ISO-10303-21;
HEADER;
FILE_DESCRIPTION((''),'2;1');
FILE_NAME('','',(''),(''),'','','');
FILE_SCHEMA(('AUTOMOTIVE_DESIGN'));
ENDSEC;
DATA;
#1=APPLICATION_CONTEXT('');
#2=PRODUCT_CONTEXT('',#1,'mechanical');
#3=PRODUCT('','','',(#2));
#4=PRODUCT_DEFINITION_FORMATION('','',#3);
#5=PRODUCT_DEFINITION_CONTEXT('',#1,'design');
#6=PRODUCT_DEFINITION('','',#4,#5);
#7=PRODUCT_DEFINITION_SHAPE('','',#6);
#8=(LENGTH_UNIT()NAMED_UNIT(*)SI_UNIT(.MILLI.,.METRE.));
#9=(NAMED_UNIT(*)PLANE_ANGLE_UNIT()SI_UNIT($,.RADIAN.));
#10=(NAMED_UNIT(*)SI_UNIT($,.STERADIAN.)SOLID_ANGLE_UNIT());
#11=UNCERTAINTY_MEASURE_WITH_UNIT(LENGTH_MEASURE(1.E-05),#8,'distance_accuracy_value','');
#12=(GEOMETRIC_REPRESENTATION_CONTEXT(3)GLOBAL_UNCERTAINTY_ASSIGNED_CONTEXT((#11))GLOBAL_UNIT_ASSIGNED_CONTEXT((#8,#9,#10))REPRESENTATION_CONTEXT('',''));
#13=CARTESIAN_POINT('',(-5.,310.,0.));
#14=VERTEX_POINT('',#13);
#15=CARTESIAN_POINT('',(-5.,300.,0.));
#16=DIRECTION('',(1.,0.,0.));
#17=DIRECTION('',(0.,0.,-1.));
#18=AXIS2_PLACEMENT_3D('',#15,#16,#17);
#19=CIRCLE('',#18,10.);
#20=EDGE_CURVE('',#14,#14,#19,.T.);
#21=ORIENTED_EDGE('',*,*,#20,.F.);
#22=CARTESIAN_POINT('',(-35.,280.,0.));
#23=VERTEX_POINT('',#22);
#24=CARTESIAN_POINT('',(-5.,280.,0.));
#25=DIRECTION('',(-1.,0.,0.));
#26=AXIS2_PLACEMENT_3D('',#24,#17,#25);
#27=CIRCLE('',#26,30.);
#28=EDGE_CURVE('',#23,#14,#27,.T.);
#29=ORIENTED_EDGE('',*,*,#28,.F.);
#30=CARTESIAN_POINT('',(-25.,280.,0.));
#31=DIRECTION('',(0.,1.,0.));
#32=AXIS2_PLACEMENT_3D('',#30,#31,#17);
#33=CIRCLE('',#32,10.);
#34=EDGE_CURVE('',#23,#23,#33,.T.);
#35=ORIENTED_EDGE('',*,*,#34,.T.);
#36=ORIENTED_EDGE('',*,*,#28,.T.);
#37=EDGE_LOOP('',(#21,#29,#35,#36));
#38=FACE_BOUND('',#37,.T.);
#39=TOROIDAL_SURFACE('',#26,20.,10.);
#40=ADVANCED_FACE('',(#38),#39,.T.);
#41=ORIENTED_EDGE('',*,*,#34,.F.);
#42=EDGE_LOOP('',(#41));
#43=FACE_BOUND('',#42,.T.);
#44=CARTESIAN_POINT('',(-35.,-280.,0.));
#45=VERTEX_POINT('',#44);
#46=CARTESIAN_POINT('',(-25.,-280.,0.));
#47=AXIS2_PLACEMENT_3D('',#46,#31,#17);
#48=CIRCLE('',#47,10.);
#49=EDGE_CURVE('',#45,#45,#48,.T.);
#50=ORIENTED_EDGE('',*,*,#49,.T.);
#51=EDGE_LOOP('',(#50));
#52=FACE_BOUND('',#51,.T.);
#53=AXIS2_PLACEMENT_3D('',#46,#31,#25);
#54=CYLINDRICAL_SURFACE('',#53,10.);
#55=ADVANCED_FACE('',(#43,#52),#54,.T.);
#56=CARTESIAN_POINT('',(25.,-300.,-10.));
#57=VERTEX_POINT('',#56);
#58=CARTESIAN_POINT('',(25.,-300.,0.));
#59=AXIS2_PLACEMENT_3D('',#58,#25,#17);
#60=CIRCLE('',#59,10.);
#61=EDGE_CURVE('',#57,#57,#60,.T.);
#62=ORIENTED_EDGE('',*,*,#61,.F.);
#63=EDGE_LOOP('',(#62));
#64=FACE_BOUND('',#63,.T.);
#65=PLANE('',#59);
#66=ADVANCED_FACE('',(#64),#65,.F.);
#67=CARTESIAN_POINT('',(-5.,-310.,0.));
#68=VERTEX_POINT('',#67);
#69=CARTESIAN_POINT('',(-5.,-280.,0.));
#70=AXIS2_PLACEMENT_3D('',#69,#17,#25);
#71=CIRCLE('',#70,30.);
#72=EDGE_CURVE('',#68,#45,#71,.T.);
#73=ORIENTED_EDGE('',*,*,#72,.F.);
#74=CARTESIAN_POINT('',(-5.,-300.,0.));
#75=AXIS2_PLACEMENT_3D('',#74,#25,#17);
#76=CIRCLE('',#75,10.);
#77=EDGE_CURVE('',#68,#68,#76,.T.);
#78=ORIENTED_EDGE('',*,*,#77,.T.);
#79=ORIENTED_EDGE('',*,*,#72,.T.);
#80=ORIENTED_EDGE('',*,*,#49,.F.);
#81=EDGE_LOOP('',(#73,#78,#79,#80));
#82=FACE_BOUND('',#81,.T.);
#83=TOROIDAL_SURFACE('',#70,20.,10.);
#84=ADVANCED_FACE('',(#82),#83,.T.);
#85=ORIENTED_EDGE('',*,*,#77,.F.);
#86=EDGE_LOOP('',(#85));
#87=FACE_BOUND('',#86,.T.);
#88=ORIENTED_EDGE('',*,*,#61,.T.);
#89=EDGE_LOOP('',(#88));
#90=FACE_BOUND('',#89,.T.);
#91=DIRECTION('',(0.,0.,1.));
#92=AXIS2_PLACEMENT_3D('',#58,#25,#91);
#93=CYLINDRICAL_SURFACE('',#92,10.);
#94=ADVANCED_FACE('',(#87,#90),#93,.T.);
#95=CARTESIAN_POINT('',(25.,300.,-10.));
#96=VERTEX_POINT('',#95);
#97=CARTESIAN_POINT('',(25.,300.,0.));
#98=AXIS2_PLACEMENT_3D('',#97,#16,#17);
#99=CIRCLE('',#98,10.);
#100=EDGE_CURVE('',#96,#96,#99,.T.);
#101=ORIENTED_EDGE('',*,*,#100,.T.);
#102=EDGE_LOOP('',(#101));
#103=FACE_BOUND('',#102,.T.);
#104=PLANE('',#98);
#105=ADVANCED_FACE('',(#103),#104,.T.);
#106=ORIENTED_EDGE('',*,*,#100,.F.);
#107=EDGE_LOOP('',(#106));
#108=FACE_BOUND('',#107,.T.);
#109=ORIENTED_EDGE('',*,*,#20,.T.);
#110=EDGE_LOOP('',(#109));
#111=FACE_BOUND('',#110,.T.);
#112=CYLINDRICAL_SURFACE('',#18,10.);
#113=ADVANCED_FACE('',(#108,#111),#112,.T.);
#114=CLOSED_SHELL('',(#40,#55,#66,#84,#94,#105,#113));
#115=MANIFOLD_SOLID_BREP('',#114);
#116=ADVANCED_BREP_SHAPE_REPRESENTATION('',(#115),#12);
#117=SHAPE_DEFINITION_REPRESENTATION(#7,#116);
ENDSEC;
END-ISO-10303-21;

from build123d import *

# Parameters (mm, degrees)
SKIZZE2_R = 10


with BuildPart() as part:
    # Austragung1: sweep along a path in Skizze1
    with BuildLine(Plane.XY) as austragung1_path:
        Line((25, 300), (-5, 300))
        ThreePointArc((-5, 300), (-19.142135624, 294.142135624), (-25, 280))
        Line((-25, 280), (-25, -280))
        ThreePointArc((-25, -280), (-19.142135624, -294.142135624), (-5, -300))
        Line((-5, -300), (25, -300))
    # Skizze2 → Austragung1 (sweep)
    with BuildSketch(Plane(origin=(25, 0, 0), x_dir=(0, 0, -1), z_dir=(1, 0, 0))):
        with Locations((0, 300)):
            Circle(SKIZZE2_R)
    sweep(path=austragung1_path.line)


solid = part.part
